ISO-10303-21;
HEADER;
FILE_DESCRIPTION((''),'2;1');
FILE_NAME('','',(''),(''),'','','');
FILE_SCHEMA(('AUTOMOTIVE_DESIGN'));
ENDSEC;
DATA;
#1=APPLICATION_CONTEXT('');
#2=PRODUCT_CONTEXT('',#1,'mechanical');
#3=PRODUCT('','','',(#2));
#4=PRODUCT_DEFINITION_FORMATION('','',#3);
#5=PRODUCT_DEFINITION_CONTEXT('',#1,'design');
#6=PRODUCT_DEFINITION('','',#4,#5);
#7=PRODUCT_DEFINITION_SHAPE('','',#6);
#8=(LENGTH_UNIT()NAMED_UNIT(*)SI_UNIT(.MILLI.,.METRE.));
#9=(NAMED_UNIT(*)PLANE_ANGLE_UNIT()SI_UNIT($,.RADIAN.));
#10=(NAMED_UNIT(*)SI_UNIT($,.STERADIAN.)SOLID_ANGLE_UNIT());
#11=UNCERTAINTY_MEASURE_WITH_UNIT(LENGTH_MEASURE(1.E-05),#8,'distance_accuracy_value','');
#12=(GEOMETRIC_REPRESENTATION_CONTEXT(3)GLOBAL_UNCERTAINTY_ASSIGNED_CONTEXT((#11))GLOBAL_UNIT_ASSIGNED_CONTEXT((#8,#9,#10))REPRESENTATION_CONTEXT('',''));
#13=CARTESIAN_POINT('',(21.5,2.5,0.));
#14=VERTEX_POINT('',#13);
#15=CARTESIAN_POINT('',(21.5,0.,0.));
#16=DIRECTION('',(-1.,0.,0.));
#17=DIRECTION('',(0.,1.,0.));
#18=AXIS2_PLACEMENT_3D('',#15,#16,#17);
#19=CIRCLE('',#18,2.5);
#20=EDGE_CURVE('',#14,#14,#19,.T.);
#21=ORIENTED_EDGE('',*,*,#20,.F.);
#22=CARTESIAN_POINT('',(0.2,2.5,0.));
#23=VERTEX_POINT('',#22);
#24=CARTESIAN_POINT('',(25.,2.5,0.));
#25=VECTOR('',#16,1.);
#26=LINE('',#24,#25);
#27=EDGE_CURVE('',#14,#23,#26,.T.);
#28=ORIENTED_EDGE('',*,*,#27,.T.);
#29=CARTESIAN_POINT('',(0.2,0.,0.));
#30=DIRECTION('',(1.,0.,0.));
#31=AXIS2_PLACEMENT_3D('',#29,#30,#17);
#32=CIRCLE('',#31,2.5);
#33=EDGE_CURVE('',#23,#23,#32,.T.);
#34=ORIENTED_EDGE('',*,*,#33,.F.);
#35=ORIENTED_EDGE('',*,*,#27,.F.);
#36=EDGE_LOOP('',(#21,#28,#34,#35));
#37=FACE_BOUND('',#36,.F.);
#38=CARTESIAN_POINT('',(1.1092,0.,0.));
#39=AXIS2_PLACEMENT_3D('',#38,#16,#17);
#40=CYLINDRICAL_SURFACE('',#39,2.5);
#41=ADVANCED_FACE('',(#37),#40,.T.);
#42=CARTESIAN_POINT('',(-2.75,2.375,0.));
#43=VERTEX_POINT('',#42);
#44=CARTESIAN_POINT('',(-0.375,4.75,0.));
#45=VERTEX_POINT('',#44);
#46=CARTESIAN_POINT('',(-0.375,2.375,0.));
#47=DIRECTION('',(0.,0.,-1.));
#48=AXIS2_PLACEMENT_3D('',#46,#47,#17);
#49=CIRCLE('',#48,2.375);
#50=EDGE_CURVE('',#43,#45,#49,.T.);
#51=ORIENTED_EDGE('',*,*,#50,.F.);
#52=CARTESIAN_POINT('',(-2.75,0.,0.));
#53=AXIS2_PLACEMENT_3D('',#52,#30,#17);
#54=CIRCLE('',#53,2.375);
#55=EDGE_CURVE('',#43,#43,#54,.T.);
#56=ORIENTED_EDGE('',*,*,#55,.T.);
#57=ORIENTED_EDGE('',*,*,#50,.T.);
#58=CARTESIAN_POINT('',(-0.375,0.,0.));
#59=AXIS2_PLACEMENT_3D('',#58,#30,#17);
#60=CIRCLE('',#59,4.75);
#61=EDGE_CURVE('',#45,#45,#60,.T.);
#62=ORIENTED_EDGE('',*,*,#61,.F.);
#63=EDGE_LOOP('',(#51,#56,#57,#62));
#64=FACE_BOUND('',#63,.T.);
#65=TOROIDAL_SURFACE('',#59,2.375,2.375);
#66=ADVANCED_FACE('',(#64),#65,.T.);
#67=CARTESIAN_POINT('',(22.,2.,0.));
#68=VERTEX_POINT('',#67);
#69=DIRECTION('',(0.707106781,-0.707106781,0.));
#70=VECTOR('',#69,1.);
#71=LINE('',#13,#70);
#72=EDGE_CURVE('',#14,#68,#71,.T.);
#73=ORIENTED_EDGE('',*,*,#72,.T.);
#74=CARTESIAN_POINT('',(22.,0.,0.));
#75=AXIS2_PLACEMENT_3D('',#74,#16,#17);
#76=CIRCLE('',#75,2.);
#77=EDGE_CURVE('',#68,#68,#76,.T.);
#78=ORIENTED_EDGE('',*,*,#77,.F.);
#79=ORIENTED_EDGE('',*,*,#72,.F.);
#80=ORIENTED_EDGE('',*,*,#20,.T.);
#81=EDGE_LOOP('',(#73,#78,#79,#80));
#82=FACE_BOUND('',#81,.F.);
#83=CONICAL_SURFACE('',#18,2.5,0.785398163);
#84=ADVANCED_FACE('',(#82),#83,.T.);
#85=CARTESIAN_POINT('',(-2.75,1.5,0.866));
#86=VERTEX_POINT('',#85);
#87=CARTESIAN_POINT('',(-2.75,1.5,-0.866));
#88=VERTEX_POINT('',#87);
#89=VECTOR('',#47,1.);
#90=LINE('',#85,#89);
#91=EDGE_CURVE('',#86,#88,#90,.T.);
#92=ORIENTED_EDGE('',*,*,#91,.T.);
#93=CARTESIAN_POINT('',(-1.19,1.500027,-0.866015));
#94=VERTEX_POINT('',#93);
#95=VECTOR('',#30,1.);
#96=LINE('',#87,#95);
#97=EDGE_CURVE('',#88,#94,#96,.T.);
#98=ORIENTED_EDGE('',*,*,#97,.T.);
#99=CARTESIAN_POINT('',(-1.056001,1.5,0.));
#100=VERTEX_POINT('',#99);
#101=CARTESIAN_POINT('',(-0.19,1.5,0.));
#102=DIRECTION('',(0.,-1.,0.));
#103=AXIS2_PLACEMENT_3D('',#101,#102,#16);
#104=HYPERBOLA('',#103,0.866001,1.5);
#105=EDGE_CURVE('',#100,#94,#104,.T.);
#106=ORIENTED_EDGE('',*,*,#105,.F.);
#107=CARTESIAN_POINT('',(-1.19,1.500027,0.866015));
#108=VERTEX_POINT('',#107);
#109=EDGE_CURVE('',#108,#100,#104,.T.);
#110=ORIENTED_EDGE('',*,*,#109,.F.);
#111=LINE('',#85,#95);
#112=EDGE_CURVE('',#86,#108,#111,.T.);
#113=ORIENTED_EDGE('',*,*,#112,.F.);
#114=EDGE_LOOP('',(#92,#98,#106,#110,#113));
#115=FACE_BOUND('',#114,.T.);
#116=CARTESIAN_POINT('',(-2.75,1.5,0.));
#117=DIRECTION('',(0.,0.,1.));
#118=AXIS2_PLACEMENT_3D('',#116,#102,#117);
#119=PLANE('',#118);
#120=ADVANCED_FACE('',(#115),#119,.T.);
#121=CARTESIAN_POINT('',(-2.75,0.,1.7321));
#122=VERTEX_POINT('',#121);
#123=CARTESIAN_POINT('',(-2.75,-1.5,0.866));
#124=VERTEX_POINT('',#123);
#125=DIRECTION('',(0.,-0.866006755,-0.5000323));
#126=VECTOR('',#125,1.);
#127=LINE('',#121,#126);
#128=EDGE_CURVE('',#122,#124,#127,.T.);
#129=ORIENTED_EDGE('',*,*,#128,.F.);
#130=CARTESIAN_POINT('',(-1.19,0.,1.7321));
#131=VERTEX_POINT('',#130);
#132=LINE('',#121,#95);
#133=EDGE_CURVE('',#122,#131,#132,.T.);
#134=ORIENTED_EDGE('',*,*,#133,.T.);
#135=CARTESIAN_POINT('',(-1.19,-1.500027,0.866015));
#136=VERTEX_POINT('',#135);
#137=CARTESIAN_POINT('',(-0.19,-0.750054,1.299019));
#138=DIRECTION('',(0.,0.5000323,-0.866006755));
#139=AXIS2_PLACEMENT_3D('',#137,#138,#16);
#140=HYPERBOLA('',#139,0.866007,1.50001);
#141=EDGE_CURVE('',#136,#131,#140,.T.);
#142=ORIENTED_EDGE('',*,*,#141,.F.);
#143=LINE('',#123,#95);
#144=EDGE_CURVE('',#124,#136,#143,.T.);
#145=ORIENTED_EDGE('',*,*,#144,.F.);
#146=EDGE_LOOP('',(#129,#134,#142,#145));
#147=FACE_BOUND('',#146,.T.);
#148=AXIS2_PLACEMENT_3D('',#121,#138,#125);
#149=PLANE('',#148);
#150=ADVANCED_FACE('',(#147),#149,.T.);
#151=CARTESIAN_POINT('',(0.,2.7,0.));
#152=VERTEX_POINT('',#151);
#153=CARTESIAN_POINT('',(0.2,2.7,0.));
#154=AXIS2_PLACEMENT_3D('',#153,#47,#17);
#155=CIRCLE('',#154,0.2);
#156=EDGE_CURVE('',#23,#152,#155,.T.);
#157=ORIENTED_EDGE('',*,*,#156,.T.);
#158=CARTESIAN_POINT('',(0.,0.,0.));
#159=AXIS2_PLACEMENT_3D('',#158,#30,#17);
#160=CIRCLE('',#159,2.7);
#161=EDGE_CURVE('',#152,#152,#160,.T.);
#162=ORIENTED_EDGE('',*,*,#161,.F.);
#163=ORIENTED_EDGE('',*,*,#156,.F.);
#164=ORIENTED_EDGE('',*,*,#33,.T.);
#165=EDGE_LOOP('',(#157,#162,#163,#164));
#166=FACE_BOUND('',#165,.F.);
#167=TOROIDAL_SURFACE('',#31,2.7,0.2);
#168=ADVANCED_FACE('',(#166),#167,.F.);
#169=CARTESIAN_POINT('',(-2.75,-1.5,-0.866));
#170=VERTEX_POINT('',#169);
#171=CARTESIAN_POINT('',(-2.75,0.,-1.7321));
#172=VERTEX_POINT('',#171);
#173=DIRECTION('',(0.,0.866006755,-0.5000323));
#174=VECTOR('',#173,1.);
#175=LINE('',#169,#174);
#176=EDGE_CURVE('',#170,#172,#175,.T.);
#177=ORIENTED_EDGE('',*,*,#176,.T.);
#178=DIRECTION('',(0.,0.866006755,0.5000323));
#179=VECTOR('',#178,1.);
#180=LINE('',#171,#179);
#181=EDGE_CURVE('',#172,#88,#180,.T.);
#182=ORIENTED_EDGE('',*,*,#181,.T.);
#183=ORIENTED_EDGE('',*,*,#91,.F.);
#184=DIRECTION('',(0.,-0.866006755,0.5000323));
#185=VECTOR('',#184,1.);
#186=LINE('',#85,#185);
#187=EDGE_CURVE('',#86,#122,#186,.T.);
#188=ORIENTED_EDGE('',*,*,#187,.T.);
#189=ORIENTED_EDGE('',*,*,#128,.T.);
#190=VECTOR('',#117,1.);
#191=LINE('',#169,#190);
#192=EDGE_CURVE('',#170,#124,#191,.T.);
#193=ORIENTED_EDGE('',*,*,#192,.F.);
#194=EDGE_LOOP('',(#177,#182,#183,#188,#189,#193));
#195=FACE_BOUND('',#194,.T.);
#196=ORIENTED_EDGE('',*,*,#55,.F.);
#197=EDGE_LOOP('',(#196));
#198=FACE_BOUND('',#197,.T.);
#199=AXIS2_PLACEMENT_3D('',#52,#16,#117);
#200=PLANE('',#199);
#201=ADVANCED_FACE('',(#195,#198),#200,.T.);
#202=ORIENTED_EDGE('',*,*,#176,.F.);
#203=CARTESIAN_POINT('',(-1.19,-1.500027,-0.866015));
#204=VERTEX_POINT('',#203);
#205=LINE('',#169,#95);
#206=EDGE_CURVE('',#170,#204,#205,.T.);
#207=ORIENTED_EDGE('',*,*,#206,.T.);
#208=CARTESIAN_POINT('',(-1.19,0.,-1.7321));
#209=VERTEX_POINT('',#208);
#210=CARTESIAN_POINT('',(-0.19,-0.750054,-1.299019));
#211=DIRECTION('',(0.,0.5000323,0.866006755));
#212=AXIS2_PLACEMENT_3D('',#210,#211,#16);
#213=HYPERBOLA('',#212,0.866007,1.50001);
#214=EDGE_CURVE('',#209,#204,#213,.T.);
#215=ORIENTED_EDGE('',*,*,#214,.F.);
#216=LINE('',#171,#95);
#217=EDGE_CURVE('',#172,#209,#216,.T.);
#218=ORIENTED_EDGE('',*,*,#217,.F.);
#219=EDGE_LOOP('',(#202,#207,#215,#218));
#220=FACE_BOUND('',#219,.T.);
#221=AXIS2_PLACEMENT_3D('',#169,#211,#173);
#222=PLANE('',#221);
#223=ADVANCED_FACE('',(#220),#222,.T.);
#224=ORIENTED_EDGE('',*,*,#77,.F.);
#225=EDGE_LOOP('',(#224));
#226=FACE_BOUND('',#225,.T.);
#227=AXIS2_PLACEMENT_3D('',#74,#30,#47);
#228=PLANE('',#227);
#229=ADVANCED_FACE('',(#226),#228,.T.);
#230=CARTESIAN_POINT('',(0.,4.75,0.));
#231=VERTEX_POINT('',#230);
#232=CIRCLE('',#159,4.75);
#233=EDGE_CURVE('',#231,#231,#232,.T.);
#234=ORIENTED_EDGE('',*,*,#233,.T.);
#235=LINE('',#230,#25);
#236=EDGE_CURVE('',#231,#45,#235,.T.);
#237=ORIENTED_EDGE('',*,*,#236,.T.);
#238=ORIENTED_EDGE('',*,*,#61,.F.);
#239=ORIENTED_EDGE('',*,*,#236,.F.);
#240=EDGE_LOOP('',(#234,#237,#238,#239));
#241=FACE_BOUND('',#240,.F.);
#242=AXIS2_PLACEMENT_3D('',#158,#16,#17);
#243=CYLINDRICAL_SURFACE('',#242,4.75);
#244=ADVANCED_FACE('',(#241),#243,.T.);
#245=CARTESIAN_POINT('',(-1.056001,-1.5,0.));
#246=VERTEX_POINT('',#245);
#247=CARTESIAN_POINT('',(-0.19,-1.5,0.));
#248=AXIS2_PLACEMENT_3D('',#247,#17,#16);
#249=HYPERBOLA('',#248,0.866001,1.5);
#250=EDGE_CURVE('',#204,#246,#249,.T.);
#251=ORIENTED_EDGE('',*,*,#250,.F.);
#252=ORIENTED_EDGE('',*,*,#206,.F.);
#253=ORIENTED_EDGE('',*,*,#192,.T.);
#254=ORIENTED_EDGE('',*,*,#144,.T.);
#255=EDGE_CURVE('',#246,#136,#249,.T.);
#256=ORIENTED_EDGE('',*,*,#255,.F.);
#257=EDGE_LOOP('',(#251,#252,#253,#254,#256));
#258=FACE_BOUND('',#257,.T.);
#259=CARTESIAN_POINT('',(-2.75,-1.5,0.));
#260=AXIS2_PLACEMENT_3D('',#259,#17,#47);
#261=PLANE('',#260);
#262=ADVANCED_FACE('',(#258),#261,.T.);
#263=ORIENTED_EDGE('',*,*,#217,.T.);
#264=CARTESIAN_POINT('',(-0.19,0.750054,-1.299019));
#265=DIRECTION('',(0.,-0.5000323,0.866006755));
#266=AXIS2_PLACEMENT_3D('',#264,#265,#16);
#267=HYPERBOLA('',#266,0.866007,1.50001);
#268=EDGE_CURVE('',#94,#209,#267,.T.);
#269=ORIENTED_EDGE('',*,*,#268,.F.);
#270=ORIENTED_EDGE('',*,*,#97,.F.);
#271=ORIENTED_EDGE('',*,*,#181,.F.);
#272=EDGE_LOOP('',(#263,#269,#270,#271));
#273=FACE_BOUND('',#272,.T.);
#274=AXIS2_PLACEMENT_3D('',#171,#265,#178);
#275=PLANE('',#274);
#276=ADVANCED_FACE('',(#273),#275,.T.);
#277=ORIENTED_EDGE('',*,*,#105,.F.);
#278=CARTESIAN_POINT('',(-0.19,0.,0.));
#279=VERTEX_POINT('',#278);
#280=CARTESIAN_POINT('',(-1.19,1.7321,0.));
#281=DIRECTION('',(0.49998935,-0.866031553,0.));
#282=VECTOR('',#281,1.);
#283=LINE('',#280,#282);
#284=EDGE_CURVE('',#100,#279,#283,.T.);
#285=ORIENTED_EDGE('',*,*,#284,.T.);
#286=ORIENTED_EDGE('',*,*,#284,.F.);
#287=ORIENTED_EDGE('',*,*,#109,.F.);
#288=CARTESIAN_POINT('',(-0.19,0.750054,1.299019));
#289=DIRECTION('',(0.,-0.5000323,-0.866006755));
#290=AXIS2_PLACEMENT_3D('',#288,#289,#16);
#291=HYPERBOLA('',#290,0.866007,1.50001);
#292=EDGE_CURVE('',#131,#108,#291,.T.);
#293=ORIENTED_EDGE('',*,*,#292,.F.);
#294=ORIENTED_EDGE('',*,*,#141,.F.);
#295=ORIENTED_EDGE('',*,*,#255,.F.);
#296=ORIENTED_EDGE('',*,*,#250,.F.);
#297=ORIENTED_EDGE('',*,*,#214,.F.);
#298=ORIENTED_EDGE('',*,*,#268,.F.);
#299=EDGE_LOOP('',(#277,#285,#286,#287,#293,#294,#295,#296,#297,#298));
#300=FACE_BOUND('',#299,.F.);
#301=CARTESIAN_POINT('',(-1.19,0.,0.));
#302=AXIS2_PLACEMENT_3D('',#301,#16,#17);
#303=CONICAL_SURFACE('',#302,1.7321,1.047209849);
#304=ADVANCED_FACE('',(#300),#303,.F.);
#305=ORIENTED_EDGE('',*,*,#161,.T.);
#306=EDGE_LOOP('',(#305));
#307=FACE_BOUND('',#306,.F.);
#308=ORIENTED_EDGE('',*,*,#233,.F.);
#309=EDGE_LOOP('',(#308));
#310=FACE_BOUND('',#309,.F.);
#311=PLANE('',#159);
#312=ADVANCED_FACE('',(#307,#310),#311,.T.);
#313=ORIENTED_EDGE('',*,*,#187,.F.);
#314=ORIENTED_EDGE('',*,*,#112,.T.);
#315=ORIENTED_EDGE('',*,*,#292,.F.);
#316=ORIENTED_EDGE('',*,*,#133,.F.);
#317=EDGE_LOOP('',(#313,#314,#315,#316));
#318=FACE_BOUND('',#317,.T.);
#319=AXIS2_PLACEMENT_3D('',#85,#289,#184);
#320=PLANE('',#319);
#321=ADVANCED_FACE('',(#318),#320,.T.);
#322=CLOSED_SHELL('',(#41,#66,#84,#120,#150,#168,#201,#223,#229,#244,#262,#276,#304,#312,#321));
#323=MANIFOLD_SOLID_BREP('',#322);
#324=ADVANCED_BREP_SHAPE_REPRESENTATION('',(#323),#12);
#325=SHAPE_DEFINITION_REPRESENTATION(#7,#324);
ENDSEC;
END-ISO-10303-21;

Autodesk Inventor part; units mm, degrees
ref_plane "YZ Plane" through (0, 0, 0) normal (1, 0, 0) x (0, 1, 0)
ref_plane "XZ Plane" through (0, 0, 0) normal (0, 1, 0) x (-1, 0, 0)
sketch "Skizze1" plane through (0, 0, 0) normal (0, 0, 1) x (1, 0, 0)
  line L0 (-0.19, 0) -> (25, 0)
  line L1 (25, 0) -> (25, 2.5)
  line L2 (25, 2.5) -> (1.6, 2.5)
  line L3 (1.6, 2.5) -> (1.1092, 2.5)
  line L4 (1.1092, 2.5) -> (0, 2.5)
  line L5 (0, 2.5) -> (0, 4.75)
  line L6 (0, 4.75) -> (-2.75, 4.75)
  line L7 (-2.75, 4.75) -> (-2.75, 1.7321)
  line L8 (-2.75, 1.7321) -> (-1.19, 1.7321)
  line L9 (-1.19, 1.7321) -> (-0.19, 0)
  line L10 (-8.3, 0) -> (30.55, 0) projected
  line L11 (0, -0.95) -> (0, 5.7) projected
  line L12 (1.6, 2.5) -> (0, 2.5) construction
  dimension "d0" = 23.4
  dimension "d1" = 0.4908
  dimension "d2" = 2.75
  dimension "d3" = 1.56
  dimension "d4" = 60
  dimension "d5" = 5
  dimension "d6" = 5
  dimension "d7" = 3.4641
  dimension "d8" = 9.5
  dimension "d19" = 25
revolve "Körper" add sketch "Skizze1" angle 360 about axis through (-0.19, 0, 0) along (1, 0, 0)
sketch "Skizze2" plane through (-2.75, 0, 0) normal (-1, 0, 0) x (0, 0, 1)
  circle A0 centre (0, 0) radius 1.7321 projected
  line L0 (0, -6.65) -> (0, 6.65) projected
  line L1 (-6.65, 0) -> (6.65, 0) projected
  line L2 (1.7321, 0) -> (0.866, -1.5)
  line L3 (0.866, -1.5) -> (-0.866, -1.5)
  line L4 (-0.866, -1.5) -> (-1.7321, 0)
  line L5 (-1.7321, 0) -> (-0.866, 1.5)
  line L6 (-0.866, 1.5) -> (0.866, 1.5)
  line L7 (0.866, 1.5) -> (1.7321, 0)
extrude "Loch" add sketch "Skizze2" against normal up to next contours L7 A0 | A0 L2 | L6 L0 A0 | A0 L0 L3 | L0 L6 A0 | A0 L3 L0 | L4 A0 | A0 L5
fillet "Rundung1" radius 2.375 1 edges at (-2.75, -4.75, 0)
thread "Gewinde" size "M5x0.8" class "4g6g" standard "ANSI Metric M Profile" length 23.4
chamfer "Fase1" distance 0.4908 distance2 0.4908 1 edges at (25, -2.5, 0) measured on face at (25, 0.6587, -0.3326)
fillet "Rundung2" radius 0.2 1 edges at (0, -2.5, 0)
ref_plane "Work Plane1" through (30, 0, 0) normal (0, -0.5, 0.866) x (1, 0, 0)
sketch "Skizze4" plane through (25, 0, 0) normal (1, 0, 0) x (0, 0, -1)
  circle A0 centre (0, 0) radius 5
extrude "Extrusion3" cut sketch "Skizze4" against normal blind 3
chamfer "Fase3" distance 0.5 angle 45 1 edges at (22, -2.5, 0)
equation "\"d0\" = GEL"
equation "\"d1\" = GAL"
equation "\"d2\" = KOH"
equation "\"d3\" = INTI"
equation "\"d5\" = GD"
equation "\"d6\" = BDM"
equation "\"d7\" = 1.1547 * SW"
equation "\"d8\" = KOD"
equation "\"d19\" = NLG"
equation "\"d16\" = RR"
equation "\"d12\" = GEL"
equation "\"d14\" = -0.5 * SPD + 0.5 * GD"
equation "\"d15\" = GUL"
equation "\"d29\" = R"
equation "\"GD\" = NND"
equation "\"NLG\" = 25"
equation "\"GEL\" = 23.4"
equation "\"KOD\" = 9.5"
equation "\"KOH\" = 2.75"
equation "\"INTI\" = 1.56"
equation "\"GAL\" = 0.61345 * PTC"
equation "\"GUL\" = 0.61345 * PTC"
equation "\"BDM\" = NND"
equation "\"SW\" = 3"
equation "\"RR\" = 2.375"
equation "\"SPD\" = 4.01848"
equation "\"d28\" = R"
equation "\"R\" = 0.2"
equation "\"TOA\" = 30deg"
equation "\"THREADDIA\" = 5"
equation "\"KOD1\" = KOD - 2 * RR"
equation "\"PTC\" = 0.8"
equation "\"NND\" = 5"
equation "\"E0\" = 1.155 * SW"
equation "\"GD1\" = THREADDIA - 1.2269 * PTC"
properties part number "ANSI B18.3.4M - M5 x 0.8 x 25, BHSBHCSM" material "Stahl, weich"
